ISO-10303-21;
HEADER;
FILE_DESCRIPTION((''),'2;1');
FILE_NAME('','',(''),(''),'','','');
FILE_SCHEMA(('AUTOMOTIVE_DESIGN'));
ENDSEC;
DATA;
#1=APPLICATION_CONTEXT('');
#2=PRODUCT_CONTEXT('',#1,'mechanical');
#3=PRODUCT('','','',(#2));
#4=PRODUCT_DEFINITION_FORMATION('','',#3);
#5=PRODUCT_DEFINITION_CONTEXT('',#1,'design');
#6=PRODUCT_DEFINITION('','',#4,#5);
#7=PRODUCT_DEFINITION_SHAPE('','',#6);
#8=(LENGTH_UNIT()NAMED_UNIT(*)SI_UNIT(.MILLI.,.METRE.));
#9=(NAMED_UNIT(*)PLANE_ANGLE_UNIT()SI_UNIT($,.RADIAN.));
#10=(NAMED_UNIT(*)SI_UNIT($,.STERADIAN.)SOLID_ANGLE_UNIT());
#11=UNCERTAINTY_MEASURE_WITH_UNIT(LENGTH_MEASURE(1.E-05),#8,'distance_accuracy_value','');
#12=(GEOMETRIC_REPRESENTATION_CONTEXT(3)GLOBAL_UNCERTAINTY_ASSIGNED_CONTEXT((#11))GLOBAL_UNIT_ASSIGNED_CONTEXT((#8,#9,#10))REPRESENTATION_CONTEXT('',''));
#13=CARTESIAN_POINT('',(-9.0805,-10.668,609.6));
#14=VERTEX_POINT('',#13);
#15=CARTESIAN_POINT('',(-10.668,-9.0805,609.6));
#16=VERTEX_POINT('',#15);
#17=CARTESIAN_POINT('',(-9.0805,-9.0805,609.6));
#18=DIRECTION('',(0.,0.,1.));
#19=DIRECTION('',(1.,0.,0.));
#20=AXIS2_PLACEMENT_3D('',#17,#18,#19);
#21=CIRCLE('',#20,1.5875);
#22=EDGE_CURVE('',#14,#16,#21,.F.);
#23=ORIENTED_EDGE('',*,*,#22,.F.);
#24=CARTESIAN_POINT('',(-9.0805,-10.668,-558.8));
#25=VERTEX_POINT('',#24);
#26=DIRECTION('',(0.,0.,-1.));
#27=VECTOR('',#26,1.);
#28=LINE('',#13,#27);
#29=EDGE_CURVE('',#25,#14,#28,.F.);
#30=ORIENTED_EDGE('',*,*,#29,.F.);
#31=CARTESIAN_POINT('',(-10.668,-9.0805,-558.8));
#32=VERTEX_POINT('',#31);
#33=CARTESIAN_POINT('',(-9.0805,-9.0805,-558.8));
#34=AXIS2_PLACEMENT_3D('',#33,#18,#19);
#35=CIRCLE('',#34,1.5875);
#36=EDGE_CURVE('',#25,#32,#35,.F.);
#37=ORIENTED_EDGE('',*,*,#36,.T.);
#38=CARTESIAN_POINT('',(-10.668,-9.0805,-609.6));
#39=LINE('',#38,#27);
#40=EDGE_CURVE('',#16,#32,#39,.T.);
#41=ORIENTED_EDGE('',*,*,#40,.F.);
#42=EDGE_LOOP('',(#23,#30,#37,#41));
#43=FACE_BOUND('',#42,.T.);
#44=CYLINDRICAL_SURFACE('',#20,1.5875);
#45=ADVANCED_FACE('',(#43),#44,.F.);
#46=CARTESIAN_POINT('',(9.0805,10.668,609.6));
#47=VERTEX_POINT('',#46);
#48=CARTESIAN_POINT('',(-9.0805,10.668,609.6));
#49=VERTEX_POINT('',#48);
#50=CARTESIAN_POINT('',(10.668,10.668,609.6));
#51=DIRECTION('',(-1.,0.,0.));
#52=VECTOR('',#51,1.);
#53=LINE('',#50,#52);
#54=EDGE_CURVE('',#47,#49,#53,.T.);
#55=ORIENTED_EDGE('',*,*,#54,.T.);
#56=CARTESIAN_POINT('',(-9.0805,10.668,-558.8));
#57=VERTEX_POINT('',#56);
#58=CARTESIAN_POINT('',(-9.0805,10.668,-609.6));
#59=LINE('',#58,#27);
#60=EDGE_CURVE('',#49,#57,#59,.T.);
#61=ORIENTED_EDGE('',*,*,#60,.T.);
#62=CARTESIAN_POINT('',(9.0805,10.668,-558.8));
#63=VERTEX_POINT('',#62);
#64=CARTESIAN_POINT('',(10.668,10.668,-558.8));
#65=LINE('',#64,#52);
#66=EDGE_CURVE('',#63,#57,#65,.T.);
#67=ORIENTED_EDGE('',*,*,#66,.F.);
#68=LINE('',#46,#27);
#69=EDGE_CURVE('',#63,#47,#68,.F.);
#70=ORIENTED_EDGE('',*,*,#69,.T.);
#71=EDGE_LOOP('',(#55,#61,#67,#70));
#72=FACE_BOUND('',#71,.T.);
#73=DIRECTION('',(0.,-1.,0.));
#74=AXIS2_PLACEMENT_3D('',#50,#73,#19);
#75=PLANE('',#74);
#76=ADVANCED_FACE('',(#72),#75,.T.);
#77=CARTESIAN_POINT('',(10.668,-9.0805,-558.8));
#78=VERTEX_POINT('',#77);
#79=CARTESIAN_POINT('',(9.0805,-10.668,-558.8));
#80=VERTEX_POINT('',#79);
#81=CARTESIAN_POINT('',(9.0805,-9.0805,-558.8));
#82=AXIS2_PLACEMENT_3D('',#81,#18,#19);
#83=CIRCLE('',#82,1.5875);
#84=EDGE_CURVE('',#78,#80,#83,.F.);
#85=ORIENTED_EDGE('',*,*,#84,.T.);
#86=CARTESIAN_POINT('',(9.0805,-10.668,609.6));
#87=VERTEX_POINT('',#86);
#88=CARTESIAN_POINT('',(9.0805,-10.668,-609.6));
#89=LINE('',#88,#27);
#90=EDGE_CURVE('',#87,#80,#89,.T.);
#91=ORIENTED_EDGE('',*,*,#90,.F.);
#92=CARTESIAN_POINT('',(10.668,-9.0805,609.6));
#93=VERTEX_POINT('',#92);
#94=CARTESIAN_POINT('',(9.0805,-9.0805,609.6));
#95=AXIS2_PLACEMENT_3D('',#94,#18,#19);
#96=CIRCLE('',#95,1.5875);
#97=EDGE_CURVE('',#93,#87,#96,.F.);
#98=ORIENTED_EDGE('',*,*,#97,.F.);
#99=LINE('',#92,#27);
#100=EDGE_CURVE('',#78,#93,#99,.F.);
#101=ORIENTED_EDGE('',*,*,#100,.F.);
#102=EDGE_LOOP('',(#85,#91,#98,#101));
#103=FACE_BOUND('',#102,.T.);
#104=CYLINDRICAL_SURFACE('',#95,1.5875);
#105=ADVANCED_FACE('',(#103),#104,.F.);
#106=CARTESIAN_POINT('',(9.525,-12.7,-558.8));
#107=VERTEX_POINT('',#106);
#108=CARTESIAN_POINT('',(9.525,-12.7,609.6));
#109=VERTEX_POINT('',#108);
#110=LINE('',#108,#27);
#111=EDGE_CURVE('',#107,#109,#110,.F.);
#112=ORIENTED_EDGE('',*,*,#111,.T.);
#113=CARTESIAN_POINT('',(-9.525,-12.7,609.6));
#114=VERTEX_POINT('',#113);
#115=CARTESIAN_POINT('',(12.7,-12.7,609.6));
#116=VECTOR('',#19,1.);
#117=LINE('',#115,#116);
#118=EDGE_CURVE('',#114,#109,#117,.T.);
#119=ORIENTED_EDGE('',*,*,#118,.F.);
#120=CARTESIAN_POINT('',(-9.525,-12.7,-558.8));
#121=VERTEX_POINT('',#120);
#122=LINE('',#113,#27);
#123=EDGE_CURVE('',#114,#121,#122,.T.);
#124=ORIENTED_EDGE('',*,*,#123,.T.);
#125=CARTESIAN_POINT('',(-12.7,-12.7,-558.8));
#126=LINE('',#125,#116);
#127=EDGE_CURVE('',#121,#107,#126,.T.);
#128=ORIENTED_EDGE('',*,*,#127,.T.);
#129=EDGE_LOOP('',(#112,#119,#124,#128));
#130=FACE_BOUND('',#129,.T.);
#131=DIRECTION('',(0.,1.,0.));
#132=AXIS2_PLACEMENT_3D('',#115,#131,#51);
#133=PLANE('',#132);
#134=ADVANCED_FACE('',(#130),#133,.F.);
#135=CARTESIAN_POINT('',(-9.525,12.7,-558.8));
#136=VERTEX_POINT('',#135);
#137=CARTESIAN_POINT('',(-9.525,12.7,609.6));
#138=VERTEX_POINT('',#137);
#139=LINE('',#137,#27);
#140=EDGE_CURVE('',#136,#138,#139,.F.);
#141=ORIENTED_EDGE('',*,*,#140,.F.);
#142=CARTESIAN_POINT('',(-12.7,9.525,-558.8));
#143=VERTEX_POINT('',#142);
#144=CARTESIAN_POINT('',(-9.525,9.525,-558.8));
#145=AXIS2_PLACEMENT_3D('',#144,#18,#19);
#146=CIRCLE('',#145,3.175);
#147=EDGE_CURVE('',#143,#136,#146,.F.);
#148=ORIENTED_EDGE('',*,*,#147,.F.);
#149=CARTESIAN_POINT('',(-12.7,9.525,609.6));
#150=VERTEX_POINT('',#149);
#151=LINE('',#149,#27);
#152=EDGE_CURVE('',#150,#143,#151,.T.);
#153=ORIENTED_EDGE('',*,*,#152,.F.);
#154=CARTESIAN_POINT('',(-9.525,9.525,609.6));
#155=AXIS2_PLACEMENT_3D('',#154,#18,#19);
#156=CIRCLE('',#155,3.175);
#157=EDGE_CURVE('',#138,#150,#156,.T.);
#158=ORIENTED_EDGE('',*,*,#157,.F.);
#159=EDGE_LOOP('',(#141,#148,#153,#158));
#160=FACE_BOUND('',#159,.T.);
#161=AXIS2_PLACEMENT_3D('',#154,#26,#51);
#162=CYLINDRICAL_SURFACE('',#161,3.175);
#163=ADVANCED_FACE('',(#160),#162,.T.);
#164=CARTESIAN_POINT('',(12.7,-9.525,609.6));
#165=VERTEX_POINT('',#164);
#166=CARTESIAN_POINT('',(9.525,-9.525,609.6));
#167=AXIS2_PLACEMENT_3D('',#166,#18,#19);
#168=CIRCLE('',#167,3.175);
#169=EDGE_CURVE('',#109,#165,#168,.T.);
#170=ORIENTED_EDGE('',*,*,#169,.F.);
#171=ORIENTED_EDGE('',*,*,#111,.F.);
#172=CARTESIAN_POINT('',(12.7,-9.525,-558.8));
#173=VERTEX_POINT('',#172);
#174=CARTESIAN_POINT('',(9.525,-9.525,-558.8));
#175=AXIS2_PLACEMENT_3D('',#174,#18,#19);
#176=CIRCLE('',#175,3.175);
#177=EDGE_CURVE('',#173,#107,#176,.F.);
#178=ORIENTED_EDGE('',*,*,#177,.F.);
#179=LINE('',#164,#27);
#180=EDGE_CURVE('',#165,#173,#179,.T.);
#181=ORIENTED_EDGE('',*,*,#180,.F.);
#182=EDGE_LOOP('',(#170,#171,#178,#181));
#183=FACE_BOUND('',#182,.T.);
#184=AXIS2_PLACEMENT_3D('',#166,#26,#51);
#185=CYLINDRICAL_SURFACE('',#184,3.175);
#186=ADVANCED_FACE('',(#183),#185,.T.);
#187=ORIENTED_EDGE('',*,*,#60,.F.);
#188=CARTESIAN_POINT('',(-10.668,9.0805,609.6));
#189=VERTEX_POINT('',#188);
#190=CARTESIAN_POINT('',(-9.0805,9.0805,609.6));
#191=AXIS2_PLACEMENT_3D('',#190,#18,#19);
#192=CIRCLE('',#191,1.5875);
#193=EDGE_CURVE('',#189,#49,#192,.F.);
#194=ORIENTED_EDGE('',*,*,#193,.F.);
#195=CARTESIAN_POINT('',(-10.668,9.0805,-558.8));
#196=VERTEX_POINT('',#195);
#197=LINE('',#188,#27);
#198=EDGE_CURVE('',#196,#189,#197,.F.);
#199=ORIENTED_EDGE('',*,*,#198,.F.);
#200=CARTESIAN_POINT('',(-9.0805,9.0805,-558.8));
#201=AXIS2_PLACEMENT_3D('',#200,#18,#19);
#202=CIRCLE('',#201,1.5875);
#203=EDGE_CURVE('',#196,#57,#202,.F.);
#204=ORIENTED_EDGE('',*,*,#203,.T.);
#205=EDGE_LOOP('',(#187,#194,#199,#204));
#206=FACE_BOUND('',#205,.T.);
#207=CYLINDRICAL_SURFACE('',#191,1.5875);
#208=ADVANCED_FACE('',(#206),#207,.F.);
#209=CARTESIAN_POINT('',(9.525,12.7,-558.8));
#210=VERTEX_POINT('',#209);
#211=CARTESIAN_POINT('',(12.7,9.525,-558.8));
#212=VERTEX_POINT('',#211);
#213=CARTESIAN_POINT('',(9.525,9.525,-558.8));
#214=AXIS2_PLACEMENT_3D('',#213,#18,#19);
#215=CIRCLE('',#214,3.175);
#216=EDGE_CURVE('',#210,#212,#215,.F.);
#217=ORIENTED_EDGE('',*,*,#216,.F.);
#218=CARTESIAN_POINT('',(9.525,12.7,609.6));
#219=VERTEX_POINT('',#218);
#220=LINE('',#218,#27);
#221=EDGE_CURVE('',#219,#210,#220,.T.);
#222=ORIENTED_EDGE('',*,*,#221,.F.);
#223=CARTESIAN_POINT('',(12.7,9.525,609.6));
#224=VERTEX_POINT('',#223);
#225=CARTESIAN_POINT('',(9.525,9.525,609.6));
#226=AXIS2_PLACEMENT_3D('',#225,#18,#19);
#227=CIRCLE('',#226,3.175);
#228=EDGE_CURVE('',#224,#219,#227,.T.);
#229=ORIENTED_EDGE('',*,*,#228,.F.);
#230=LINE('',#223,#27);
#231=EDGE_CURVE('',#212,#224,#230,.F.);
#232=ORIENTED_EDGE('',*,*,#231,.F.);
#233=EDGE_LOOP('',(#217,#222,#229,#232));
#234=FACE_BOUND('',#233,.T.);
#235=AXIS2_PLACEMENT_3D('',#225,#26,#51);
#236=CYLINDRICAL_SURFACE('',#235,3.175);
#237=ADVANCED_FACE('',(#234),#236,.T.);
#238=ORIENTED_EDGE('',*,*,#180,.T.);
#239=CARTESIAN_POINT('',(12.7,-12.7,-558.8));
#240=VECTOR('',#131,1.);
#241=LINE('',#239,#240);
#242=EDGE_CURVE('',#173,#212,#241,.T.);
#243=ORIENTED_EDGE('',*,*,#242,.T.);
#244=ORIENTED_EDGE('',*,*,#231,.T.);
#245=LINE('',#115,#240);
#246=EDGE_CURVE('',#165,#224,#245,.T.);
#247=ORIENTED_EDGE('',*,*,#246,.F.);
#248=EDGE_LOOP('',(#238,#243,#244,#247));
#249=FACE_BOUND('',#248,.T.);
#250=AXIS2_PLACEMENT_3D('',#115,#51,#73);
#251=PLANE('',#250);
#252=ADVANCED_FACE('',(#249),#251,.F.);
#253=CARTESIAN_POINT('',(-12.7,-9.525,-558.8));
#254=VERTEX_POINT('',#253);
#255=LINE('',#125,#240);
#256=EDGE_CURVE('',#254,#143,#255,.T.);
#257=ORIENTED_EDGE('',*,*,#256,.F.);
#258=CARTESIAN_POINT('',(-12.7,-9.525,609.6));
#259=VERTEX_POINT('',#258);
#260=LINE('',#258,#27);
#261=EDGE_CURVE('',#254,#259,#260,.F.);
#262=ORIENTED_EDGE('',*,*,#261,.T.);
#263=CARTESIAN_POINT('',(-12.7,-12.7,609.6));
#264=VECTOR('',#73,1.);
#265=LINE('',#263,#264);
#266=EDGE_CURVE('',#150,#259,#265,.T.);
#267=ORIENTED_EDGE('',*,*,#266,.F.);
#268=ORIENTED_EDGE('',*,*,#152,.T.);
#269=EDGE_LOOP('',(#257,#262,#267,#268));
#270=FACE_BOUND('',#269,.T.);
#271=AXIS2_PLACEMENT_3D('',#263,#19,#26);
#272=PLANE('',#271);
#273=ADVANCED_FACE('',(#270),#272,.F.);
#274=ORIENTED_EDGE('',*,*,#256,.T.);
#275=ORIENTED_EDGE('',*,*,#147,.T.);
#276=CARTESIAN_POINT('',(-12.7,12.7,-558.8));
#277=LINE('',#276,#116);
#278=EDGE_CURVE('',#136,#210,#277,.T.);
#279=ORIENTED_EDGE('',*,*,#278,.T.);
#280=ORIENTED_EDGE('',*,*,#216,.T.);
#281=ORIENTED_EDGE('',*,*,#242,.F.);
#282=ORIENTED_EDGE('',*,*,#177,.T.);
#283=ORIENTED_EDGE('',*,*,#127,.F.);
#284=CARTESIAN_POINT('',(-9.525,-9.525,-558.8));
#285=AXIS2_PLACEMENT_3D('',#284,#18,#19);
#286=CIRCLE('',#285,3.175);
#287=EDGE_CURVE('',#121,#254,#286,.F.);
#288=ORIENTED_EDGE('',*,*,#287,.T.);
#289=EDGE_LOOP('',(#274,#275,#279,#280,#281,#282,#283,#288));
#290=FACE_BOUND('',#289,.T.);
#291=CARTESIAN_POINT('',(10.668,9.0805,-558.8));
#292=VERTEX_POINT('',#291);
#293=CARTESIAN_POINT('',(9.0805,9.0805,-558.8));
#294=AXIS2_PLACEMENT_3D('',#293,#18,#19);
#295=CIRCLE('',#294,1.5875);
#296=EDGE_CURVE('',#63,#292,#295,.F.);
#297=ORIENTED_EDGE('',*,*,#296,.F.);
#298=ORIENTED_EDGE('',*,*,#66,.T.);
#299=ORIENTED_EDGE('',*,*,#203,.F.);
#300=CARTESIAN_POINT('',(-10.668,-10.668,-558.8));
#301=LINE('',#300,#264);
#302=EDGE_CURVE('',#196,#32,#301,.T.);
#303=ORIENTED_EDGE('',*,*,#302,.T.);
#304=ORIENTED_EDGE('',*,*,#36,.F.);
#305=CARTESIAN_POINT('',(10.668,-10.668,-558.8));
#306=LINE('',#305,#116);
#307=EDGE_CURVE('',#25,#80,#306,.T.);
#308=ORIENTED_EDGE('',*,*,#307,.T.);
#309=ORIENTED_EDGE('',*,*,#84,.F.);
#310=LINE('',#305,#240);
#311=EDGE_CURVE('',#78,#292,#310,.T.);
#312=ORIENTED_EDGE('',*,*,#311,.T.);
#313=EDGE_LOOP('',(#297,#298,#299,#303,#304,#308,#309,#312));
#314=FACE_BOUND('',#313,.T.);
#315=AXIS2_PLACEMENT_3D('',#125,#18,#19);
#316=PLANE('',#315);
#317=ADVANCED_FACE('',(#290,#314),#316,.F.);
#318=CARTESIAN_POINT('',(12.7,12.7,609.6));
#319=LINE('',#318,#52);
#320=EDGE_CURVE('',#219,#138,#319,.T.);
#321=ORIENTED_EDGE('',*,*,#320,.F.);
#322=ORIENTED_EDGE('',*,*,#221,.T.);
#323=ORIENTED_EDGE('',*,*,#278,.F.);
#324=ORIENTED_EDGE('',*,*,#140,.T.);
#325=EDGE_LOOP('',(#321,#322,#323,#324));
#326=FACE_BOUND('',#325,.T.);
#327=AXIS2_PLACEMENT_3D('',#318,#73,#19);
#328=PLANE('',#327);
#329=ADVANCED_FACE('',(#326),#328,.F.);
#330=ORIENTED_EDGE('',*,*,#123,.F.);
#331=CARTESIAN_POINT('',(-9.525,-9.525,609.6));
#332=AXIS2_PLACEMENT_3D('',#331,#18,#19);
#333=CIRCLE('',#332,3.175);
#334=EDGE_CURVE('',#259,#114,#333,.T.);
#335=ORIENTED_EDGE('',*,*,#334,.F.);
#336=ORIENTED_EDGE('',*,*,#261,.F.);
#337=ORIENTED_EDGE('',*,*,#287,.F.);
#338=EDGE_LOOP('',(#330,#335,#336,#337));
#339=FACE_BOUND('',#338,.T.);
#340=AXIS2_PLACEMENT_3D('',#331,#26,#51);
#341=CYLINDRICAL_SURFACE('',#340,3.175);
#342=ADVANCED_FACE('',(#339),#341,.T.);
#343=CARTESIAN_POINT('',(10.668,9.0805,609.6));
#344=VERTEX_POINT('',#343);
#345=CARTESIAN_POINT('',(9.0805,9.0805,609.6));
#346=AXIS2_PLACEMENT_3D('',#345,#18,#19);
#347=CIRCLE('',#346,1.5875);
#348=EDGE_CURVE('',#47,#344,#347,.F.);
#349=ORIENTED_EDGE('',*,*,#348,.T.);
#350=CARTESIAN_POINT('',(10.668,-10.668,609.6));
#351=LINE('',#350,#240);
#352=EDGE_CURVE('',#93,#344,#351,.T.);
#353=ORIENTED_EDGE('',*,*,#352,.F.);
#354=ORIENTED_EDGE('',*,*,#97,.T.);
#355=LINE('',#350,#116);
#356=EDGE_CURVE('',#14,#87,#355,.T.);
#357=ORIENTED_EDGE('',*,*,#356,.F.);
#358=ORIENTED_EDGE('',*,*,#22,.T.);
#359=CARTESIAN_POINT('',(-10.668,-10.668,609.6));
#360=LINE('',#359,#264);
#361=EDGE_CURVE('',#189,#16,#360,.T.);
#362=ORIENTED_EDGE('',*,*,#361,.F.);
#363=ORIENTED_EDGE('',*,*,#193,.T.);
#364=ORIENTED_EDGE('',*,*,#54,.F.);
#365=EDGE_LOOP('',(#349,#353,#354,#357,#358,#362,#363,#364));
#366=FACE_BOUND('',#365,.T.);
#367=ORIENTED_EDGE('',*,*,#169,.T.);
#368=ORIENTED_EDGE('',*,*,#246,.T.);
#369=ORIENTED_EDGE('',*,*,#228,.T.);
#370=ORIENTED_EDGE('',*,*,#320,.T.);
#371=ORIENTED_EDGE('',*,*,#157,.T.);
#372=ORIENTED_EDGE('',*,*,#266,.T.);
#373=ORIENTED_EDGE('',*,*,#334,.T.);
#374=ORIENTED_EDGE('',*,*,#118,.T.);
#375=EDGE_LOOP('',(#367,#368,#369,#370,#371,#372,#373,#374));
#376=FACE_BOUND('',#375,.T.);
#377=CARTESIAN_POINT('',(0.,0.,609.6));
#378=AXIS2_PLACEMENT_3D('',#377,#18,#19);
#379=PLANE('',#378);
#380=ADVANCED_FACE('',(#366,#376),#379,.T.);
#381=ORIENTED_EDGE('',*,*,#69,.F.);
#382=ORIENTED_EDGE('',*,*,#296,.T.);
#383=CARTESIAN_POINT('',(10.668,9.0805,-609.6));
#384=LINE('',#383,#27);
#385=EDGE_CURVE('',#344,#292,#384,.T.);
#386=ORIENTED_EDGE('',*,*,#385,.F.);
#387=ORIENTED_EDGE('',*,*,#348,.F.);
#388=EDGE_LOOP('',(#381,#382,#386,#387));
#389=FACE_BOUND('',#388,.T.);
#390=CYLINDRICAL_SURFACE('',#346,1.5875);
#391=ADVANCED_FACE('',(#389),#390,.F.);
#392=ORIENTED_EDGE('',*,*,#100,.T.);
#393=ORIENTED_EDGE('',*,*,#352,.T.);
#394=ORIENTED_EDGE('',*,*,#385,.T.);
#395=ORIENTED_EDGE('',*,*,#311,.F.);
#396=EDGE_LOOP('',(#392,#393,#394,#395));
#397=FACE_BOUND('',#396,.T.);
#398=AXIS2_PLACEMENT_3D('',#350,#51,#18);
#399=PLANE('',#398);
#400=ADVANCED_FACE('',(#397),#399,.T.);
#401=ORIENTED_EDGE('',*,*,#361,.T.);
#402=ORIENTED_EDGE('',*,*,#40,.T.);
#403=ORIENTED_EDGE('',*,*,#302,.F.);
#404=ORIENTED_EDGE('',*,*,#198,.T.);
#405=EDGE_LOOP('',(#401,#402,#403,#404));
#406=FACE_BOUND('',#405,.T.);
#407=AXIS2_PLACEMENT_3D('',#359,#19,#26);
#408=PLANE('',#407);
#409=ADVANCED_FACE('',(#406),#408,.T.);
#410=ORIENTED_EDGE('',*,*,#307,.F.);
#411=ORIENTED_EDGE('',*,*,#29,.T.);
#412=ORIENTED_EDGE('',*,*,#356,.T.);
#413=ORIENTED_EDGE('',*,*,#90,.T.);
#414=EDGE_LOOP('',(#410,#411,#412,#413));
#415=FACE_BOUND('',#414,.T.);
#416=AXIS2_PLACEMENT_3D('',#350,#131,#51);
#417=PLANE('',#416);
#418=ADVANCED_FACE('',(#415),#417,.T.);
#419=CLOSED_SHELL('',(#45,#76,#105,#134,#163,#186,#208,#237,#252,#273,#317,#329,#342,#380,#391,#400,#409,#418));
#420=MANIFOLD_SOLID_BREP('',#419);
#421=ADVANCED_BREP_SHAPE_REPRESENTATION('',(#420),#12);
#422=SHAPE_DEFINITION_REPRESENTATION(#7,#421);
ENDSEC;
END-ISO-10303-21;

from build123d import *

# Parameters (mm, degrees)
SKETCH3_W                = 25.4
SKETCH3_H                = 25.4
SKETCH3_W_2              = 21.336
SKETCH3_H_2              = 21.336
BOSS_EXTRUDE1_DEPTH      = 609.6
BOSS_EXTRUDE1_DEPTH_BACK = 609.6
FILLET1_R                = 3.175
FILLET2_R                = 1.5875
SKETCH4_W                = 25.4
SKETCH4_H                = 50.8
CUT_EXTRUDE1_DEPTH       = 26.4


with BuildPart() as part:
    # Sketch3 → Boss-Extrude1 (new body, two sides)
    with BuildSketch(Plane.XY) as boss_extrude1_sk:
        Rectangle(SKETCH3_W, SKETCH3_H)
        Rectangle(SKETCH3_W_2, SKETCH3_H_2, mode=Mode.SUBTRACT)
    extrude(amount=BOSS_EXTRUDE1_DEPTH)
    extrude(boss_extrude1_sk.sketch, amount=-BOSS_EXTRUDE1_DEPTH_BACK)

    # Fillet1
    fillet1_edges = [part.edges().sort_by_distance(p)[0] for p in [
        (12.7, -12.7, 0),
        (-12.7, -12.7, 0),
        (-12.7, 12.7, 0),
        (12.7, 12.7, 0),
    ]]
    fillet(fillet1_edges, radius=FILLET1_R)

    # Fillet2
    fillet2_edges = [part.edges().sort_by_distance(p)[0] for p in [
        (10.668, -10.668, 0),
        (10.668, 10.668, 0),
        (-10.668, 10.668, 0),
        (-10.668, -10.668, 0),
    ]]
    fillet(fillet2_edges, radius=FILLET2_R)

    # Sketch4 → Cut-Extrude1 (cut, through all)
    with BuildSketch(Plane(origin=(0, 12.7, 0), x_dir=(1, 0, 0), z_dir=(0, 1, 0))):
        with Locations((0, 584.2)):
            Rectangle(SKETCH4_W, SKETCH4_H)
    extrude(amount=-CUT_EXTRUDE1_DEPTH, mode=Mode.SUBTRACT)


solid = part.part
